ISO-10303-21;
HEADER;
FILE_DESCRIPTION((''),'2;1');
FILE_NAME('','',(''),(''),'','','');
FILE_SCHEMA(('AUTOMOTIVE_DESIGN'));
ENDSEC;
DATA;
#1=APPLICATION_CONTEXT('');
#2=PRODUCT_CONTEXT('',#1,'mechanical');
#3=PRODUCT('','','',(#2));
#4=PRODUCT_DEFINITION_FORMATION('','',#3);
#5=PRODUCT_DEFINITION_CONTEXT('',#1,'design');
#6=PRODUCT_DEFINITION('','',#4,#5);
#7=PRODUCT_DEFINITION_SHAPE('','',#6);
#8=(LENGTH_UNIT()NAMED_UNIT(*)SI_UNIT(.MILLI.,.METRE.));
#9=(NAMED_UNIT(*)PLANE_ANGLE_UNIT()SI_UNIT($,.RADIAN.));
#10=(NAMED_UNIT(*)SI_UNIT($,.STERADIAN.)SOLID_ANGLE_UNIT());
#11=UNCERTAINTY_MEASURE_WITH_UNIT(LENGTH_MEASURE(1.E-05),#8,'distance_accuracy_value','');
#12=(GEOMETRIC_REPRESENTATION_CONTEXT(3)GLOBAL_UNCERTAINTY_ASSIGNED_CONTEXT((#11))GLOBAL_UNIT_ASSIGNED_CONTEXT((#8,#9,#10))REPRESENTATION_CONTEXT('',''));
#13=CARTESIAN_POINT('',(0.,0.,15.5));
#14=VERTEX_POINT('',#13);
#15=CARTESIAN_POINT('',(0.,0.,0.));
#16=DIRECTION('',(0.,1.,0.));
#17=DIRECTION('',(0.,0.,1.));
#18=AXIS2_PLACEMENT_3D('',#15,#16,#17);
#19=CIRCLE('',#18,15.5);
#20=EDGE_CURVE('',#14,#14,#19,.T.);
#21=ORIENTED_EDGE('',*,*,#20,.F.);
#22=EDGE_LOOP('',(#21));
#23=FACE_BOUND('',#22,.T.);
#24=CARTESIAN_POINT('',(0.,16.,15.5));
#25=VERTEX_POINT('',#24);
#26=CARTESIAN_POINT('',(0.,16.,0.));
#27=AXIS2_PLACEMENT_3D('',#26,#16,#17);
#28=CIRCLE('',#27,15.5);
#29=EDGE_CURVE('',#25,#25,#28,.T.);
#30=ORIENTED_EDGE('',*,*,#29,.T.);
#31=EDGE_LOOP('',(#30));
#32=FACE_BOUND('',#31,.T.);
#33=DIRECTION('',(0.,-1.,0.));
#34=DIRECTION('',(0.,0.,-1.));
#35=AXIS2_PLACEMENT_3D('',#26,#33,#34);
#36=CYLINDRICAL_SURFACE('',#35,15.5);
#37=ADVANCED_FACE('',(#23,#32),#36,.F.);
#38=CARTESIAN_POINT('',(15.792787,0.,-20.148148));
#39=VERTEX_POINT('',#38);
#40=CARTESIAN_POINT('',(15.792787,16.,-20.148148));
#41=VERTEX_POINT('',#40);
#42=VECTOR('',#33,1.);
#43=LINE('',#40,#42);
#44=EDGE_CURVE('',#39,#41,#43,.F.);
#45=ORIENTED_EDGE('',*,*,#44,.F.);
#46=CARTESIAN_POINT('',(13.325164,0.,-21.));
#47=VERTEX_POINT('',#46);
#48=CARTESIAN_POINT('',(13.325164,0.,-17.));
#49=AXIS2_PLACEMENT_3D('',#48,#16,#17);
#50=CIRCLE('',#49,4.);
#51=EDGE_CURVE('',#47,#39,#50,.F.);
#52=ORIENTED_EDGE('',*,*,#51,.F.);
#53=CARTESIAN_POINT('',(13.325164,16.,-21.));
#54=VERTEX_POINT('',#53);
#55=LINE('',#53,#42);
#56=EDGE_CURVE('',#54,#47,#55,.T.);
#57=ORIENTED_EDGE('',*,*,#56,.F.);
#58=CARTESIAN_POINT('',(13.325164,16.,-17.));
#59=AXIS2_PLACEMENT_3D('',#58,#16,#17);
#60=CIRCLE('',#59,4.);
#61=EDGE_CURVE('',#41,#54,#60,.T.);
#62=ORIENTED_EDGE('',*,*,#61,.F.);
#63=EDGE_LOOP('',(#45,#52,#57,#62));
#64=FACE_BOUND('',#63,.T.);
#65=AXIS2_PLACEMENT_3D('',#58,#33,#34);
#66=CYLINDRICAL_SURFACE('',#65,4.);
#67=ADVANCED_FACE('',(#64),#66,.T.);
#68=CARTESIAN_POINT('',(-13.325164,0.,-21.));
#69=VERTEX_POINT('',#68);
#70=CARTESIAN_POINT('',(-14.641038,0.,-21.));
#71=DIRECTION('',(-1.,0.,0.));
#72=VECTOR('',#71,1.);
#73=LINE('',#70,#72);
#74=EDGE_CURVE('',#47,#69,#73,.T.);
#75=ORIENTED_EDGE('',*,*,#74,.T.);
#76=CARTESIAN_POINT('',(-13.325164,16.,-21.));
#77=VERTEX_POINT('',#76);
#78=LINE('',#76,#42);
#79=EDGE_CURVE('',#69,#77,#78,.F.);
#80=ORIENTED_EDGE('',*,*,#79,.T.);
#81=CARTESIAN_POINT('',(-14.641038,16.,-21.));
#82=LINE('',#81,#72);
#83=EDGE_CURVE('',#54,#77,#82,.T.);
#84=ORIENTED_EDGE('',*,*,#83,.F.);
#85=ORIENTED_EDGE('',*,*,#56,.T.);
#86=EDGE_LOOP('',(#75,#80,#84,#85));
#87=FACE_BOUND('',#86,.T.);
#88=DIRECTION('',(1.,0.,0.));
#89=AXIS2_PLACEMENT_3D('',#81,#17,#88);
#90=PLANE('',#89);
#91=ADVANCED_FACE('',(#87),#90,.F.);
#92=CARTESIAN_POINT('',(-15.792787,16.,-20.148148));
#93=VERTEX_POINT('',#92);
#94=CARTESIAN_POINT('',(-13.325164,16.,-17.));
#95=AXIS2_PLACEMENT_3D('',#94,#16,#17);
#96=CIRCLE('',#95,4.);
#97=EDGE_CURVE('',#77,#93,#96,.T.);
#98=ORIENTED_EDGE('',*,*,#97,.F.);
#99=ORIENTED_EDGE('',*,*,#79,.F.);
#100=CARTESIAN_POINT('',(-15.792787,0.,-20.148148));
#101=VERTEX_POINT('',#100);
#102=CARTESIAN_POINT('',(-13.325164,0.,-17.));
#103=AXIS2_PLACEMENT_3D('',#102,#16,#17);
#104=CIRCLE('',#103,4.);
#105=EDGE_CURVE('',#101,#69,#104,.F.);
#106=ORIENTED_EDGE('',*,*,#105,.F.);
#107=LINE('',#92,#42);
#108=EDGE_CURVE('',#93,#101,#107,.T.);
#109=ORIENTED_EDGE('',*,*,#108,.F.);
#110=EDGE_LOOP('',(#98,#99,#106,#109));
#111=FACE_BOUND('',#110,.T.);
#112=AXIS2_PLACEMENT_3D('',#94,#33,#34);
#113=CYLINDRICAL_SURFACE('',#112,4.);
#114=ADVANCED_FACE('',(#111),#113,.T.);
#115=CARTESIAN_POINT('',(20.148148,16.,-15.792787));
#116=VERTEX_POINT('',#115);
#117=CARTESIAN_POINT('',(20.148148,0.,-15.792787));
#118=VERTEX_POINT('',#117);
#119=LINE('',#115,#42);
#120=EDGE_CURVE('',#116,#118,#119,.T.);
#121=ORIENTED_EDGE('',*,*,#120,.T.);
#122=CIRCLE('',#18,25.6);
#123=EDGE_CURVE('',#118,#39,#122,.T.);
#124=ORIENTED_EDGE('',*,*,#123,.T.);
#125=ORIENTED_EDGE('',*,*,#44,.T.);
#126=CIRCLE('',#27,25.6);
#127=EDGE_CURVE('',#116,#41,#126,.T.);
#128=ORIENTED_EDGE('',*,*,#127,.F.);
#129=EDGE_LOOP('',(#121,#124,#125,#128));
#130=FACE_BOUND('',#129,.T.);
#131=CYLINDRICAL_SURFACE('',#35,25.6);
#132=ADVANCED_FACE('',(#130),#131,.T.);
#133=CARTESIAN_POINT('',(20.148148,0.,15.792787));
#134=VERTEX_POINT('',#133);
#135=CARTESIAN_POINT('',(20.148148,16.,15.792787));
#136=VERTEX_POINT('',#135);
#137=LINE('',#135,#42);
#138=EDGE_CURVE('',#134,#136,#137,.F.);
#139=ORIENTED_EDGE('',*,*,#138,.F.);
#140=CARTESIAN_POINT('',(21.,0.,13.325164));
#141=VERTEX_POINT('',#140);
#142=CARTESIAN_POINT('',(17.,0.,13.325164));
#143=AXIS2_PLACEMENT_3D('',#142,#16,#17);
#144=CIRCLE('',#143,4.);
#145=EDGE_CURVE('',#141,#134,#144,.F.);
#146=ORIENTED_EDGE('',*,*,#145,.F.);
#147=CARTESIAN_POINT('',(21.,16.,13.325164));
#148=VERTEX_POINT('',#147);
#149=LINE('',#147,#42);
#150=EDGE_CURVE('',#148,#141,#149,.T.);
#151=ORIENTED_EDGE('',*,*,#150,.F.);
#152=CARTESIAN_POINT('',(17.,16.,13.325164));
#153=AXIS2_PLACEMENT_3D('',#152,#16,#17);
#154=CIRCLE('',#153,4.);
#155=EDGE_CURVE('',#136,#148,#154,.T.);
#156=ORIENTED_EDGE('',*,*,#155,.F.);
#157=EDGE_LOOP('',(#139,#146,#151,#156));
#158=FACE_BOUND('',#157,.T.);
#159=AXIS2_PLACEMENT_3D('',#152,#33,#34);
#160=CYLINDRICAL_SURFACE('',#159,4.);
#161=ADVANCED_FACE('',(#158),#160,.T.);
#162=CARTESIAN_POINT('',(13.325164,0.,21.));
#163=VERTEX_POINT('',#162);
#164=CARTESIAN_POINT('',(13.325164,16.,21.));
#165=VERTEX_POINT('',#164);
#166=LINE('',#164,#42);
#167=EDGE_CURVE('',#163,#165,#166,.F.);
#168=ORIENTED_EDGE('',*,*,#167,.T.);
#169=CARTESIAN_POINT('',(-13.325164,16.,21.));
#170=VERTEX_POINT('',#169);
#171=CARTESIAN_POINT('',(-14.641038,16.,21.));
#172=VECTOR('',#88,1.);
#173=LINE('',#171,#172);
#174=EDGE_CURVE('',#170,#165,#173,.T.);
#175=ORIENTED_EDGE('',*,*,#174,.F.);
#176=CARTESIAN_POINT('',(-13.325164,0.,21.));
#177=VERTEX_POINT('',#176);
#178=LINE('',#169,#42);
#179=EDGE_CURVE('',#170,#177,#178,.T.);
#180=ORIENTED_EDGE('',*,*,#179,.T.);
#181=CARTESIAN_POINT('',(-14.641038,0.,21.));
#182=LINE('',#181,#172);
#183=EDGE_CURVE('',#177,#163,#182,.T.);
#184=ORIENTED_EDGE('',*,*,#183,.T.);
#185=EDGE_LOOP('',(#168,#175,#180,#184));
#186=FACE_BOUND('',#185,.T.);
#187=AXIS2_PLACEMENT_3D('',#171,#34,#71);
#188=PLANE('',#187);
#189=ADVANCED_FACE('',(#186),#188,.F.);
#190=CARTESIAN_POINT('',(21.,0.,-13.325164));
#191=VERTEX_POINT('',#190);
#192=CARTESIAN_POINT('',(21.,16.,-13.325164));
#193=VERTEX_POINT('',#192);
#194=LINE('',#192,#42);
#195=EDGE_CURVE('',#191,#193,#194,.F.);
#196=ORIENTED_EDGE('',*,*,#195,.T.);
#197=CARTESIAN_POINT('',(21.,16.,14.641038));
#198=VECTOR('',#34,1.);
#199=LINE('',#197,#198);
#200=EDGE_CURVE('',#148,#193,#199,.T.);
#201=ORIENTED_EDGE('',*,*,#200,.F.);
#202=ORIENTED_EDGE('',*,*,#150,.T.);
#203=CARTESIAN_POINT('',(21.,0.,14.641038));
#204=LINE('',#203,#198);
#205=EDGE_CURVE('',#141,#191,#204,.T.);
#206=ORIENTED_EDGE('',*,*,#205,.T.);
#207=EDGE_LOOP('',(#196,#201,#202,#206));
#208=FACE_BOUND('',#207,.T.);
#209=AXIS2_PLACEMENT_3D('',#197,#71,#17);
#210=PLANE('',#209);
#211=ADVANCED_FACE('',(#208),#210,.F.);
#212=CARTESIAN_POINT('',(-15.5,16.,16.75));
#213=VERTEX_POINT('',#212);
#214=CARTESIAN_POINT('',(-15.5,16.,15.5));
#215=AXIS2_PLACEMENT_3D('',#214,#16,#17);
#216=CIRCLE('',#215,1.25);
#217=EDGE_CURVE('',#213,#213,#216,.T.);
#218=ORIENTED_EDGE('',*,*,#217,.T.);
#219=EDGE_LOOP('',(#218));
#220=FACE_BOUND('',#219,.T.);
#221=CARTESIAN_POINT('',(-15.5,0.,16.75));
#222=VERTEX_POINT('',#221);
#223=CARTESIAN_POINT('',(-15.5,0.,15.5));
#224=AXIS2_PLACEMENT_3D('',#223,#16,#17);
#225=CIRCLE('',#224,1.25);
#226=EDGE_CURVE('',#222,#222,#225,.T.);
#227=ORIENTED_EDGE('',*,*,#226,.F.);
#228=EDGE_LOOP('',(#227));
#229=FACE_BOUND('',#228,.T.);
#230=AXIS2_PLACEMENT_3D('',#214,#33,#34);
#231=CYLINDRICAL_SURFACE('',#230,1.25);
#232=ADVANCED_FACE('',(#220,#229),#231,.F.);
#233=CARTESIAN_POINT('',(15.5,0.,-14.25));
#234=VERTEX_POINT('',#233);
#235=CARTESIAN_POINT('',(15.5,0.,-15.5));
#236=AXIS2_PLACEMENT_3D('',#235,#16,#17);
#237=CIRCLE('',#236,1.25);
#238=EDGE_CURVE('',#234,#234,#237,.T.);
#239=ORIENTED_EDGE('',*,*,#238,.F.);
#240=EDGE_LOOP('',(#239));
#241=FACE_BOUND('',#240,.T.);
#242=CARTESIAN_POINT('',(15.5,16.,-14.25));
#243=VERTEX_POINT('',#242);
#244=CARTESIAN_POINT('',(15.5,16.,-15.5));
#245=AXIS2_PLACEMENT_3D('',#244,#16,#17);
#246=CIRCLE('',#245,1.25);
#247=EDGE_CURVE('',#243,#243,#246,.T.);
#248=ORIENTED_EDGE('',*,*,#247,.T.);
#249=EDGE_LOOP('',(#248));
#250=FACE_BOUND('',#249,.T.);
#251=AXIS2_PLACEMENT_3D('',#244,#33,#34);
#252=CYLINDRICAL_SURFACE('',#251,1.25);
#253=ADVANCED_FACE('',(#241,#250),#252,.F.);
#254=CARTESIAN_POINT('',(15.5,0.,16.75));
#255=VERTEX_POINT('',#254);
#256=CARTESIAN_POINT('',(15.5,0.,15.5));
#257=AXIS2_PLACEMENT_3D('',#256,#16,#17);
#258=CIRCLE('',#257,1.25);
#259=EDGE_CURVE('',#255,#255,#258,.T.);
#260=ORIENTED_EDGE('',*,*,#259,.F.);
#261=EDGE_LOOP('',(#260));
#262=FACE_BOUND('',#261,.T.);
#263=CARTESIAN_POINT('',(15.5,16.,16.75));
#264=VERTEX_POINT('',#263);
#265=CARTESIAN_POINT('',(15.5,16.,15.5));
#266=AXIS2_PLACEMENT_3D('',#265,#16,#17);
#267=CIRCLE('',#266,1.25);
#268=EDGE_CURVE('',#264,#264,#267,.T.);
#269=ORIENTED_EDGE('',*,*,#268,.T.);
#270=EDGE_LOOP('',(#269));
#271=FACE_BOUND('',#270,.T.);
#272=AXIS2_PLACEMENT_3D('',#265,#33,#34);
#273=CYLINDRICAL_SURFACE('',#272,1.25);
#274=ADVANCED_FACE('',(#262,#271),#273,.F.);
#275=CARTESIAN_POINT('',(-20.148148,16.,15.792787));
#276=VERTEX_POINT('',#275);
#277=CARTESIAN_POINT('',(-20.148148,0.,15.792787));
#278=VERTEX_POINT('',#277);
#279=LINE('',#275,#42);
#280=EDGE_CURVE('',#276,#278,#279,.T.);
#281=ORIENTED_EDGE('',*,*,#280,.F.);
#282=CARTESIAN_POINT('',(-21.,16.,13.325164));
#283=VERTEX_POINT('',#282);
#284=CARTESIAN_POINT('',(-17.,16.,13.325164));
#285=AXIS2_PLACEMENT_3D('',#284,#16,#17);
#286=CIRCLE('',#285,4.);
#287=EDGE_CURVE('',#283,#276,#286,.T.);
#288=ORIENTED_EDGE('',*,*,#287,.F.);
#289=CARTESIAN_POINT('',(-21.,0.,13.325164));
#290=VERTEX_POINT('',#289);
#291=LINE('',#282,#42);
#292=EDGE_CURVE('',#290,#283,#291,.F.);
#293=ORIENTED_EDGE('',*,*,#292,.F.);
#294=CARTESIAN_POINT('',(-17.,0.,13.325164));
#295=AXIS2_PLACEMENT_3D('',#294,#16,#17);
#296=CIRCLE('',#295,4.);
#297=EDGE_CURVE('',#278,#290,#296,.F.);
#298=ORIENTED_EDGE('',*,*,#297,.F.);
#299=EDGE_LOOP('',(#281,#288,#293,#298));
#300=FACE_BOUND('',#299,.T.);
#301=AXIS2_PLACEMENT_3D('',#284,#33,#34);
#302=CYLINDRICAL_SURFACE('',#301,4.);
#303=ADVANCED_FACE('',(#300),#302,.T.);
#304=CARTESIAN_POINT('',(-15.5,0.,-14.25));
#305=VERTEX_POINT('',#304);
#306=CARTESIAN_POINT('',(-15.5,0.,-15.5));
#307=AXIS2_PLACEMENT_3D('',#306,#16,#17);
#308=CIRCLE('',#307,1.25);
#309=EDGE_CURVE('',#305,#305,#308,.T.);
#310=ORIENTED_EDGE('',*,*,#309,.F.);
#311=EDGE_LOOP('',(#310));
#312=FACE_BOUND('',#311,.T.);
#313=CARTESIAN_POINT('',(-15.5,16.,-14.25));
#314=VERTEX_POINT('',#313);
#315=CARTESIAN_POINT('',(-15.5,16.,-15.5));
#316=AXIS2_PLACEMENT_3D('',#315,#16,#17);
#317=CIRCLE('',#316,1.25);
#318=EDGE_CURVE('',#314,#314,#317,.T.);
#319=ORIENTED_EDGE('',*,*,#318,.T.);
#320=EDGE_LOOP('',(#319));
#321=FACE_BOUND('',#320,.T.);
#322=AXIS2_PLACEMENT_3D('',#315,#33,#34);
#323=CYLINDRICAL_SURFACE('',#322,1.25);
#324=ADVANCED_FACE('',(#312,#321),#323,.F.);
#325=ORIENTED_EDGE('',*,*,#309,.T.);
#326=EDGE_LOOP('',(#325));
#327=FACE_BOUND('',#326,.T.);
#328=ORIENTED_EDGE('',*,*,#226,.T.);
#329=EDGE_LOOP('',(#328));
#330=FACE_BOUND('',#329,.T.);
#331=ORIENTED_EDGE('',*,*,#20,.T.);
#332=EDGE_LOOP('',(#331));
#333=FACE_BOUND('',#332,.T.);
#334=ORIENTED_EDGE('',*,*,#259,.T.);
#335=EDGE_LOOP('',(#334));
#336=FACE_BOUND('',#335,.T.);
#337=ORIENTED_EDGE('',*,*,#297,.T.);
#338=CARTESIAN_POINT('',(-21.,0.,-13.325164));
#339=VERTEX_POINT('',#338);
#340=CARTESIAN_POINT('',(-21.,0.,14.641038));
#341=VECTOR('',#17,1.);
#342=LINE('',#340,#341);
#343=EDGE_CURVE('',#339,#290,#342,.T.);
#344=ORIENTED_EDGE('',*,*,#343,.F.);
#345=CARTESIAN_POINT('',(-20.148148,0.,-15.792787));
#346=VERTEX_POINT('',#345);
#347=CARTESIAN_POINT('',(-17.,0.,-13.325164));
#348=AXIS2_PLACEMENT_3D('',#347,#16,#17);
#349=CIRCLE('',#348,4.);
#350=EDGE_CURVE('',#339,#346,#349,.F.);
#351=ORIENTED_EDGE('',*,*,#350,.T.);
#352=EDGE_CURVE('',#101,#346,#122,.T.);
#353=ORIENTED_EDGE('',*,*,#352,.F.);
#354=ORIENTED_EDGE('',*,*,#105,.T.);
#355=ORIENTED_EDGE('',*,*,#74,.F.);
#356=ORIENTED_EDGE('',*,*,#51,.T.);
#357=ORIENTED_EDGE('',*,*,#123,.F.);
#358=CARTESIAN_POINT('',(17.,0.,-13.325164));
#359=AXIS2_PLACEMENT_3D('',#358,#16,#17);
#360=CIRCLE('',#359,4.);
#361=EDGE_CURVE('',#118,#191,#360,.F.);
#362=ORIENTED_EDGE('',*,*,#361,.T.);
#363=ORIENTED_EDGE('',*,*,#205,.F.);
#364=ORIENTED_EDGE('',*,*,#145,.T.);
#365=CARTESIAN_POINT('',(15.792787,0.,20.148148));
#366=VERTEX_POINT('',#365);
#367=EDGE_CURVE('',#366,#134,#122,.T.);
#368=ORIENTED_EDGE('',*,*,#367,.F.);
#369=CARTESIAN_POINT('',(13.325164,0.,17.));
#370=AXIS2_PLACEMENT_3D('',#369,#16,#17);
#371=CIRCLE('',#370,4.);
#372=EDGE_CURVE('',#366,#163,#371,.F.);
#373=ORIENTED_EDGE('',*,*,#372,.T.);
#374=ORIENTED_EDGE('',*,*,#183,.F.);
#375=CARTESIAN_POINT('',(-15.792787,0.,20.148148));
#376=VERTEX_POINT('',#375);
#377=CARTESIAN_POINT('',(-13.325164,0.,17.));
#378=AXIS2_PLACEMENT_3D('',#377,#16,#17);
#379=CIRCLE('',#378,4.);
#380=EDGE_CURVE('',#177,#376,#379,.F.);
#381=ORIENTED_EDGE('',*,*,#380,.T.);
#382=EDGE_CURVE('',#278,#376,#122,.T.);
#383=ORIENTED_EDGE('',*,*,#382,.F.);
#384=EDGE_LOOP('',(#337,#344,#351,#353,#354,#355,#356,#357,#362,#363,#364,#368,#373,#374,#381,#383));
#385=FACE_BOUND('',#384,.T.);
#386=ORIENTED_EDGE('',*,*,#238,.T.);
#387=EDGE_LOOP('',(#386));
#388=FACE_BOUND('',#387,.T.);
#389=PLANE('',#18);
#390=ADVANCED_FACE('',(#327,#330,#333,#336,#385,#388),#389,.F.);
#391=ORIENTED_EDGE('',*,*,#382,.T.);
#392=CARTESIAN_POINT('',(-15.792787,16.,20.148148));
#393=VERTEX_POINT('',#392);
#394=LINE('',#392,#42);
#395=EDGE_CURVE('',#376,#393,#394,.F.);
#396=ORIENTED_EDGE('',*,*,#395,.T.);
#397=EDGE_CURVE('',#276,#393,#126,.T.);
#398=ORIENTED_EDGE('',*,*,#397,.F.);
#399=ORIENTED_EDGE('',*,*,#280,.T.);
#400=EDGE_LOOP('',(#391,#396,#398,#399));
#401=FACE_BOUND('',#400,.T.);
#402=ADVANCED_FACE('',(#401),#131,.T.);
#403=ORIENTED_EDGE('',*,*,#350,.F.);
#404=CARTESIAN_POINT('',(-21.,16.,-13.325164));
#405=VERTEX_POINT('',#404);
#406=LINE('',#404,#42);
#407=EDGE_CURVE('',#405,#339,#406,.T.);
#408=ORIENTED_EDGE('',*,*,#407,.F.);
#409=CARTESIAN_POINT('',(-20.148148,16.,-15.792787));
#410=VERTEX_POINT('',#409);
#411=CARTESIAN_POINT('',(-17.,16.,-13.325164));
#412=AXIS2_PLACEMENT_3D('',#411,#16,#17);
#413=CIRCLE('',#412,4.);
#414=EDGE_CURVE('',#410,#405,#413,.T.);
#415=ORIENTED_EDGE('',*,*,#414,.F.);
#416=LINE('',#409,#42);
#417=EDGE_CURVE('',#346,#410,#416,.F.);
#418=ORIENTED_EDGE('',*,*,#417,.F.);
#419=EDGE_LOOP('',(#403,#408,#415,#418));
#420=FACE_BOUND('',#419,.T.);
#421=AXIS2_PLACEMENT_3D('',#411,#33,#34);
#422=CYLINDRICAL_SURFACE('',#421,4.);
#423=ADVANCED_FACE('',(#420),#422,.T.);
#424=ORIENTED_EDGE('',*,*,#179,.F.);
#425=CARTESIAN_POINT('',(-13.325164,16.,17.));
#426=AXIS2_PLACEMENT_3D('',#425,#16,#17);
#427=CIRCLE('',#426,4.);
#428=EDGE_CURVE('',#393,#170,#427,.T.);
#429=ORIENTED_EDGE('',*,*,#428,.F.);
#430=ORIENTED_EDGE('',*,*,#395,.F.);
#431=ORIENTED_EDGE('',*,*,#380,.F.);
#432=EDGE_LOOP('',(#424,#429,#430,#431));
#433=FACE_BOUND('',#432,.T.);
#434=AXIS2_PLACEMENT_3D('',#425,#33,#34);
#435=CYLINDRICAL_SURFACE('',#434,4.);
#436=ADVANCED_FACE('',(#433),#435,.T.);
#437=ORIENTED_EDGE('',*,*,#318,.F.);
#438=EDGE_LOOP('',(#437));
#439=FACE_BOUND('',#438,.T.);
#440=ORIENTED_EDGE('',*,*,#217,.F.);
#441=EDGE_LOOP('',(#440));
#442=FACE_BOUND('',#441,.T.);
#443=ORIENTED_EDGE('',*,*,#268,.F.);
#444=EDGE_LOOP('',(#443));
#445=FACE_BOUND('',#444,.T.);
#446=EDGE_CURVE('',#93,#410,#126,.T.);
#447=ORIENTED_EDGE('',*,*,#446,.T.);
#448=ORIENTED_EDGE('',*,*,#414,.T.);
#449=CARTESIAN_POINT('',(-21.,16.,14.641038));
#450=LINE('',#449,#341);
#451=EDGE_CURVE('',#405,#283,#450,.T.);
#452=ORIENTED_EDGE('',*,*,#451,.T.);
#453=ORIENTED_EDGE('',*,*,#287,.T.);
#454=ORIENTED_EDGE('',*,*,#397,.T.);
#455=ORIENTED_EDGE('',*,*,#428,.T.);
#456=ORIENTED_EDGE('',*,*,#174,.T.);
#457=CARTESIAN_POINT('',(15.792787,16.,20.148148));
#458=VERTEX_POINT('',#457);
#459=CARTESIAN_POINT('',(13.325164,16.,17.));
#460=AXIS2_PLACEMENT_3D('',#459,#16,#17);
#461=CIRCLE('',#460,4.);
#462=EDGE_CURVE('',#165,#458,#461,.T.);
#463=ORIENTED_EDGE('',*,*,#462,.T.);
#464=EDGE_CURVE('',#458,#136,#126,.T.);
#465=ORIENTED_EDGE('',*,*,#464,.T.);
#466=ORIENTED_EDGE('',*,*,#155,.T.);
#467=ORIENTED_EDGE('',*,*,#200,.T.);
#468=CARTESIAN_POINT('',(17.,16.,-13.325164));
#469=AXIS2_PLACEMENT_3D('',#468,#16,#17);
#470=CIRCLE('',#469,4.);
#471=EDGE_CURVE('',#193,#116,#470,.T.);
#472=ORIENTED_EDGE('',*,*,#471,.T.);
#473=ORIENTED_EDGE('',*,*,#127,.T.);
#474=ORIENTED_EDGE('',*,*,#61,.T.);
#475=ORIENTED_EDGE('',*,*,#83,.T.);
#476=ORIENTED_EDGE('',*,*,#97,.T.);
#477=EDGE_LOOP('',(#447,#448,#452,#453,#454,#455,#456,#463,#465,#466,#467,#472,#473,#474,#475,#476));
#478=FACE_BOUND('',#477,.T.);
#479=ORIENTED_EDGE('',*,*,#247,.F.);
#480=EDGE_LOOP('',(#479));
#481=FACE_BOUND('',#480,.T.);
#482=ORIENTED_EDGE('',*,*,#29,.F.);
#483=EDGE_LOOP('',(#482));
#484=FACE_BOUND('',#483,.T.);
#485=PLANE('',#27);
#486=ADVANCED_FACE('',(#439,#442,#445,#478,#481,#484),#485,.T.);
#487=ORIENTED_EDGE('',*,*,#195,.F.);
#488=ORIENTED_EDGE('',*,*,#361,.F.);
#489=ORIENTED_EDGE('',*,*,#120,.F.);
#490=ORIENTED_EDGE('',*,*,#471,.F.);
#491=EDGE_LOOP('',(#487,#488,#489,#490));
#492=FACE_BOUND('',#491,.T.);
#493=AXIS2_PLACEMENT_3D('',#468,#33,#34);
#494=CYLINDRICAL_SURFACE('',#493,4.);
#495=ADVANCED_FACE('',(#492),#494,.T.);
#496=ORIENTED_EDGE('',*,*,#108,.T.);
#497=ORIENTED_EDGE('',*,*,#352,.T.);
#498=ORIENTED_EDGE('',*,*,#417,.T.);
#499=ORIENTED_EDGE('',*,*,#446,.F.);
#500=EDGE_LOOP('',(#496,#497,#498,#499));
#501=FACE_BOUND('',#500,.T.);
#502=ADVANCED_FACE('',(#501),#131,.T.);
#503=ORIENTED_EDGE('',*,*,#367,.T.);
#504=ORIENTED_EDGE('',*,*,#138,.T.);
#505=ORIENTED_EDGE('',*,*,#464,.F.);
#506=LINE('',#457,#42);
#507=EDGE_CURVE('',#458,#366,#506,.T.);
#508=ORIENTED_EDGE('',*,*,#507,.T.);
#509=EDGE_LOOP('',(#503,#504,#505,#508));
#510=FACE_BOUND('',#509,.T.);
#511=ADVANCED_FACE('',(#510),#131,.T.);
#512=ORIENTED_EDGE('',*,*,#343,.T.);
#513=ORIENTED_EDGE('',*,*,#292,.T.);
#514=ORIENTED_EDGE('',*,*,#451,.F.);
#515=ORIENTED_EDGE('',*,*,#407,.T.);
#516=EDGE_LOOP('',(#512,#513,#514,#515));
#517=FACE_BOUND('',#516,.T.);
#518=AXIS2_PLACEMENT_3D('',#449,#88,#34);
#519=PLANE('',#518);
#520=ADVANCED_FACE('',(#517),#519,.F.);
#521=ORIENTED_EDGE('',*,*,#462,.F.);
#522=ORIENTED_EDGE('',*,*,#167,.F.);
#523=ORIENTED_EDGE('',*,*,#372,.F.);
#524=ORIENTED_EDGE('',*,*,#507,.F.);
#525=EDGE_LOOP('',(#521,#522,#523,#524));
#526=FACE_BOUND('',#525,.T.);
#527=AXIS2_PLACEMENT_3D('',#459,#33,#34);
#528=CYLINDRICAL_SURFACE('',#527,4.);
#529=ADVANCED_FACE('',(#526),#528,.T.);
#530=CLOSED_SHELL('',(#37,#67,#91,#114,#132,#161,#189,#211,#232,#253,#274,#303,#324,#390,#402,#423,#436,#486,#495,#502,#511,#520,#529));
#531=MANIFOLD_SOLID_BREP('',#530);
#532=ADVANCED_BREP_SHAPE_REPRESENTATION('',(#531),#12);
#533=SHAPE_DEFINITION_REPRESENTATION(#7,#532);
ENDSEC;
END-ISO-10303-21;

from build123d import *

# Parameters (mm, degrees)
SKETCH_1_R      = 1.25
SKETCH_1_R_2    = 15.5
EXTRUDE_1_DEPTH = 16
FILLET_1_R      = 4


with BuildPart() as part:
    # Эскиз1 → Бобышка-Вытянуть1 (new body)
    with BuildSketch(Plane(origin=(0, 0, 0), x_dir=(1, 0, 0), z_dir=(0, 1, 0))):
        with BuildLine():
            Line((-14.641038215, -21), (14.641038215, -21))
            ThreePointArc((14.641038215, -21), (18.101933598, -18.101933598), (21, -14.641038215))
            Line((21, -14.641038215), (21, 14.641038215))
            ThreePointArc((21, 14.641038215), (18.101933598, 18.101933598), (14.641038215, 21))
            Line((14.641038215, 21), (-14.641038215, 21))
            ThreePointArc((-14.641038215, 21), (-18.101933598, 18.101933598), (-21, 14.641038215))
            Line((-21, 14.641038215), (-21, -14.641038215))
            ThreePointArc((-21, -14.641038215), (-18.101933598, -18.101933598), (-14.641038215, -21))
        make_face()
        with Locations((-15.5, 15.5)):
            Circle(SKETCH_1_R, mode=Mode.SUBTRACT)
        with Locations((15.5, 15.5)):
            Circle(SKETCH_1_R, mode=Mode.SUBTRACT)
        with Locations((15.5, -15.5)):
            Circle(SKETCH_1_R, mode=Mode.SUBTRACT)
        with Locations((-15.5, -15.5)):
            Circle(SKETCH_1_R, mode=Mode.SUBTRACT)
        Circle(SKETCH_1_R_2, mode=Mode.SUBTRACT)
    extrude(amount=EXTRUDE_1_DEPTH)

    # Скругление1
    fillet_1_edges = [part.edges().sort_by_distance(p)[0] for p in [
        (21, 8, -14.641038215),
        (21, 8, 14.641038215),
        (14.641038215, 8, 21),
        (-14.641038215, 8, 21),
        (-21, 8, 14.641038215),
        (-21, 8, -14.641038215),
        (-14.641038215, 8, -21),
        (14.641038215, 8, -21),
    ]]
    fillet(fillet_1_edges, radius=FILLET_1_R)


solid = part.part
